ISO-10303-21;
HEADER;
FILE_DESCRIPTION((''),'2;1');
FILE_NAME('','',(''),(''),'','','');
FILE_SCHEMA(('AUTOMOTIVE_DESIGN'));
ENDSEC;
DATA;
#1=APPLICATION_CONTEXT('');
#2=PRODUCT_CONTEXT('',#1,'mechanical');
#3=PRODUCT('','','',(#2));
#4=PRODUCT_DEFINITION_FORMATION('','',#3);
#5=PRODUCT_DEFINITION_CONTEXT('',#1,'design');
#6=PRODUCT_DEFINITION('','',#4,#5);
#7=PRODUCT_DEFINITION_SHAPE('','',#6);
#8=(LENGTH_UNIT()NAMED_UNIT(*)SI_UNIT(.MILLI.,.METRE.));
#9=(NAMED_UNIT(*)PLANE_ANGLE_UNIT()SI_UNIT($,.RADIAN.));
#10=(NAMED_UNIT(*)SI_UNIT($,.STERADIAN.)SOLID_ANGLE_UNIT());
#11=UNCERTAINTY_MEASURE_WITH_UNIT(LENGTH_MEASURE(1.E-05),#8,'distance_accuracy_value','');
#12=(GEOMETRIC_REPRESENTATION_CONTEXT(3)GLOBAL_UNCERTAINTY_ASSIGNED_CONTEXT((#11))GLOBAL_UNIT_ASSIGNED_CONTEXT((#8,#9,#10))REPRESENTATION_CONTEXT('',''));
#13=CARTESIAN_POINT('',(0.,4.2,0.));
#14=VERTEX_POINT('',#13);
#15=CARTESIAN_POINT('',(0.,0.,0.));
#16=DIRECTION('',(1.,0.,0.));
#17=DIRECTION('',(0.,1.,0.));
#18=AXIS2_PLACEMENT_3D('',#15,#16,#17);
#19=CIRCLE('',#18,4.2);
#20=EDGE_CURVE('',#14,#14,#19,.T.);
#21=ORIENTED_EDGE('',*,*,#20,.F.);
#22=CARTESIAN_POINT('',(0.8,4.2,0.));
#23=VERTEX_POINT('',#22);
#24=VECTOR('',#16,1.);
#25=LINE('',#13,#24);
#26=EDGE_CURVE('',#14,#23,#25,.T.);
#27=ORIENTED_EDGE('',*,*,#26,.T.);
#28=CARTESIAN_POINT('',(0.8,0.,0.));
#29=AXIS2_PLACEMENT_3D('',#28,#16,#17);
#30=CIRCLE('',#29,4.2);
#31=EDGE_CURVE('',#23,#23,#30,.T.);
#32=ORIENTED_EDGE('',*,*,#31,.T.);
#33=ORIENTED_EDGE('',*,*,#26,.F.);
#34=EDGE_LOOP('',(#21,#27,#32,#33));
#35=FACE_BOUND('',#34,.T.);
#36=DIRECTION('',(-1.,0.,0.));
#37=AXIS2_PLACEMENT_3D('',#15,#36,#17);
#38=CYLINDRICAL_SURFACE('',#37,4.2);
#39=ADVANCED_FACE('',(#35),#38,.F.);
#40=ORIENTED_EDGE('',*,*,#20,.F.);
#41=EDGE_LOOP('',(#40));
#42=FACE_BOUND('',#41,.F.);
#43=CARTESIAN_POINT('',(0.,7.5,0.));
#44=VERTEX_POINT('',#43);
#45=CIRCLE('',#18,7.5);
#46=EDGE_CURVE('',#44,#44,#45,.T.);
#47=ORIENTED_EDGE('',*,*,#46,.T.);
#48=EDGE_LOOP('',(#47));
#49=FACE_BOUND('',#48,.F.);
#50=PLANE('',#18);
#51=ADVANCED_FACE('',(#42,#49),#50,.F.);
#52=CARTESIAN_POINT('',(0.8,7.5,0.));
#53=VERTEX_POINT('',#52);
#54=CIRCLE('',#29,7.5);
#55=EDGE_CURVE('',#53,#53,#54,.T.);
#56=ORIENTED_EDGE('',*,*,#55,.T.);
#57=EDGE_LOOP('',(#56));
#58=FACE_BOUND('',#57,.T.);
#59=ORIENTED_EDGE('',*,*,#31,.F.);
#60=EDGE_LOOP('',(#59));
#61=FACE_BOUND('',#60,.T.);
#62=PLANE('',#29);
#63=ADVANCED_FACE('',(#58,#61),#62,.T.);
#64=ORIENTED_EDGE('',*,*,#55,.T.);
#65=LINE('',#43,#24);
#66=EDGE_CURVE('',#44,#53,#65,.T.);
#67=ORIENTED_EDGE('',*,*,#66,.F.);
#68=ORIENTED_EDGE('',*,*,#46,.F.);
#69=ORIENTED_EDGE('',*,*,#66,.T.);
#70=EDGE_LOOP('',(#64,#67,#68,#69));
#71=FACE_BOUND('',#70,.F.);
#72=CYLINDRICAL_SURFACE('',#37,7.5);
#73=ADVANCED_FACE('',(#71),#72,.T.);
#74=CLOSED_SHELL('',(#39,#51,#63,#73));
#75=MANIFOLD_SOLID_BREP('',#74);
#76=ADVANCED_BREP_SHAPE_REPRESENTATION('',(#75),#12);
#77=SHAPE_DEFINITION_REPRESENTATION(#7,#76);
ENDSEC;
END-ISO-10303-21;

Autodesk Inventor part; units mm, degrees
ref_plane "YZ Plane" through (0, 0, 0) normal (1, 0, 0) x (0, 1, 0)
ref_plane "XZ Plane" through (0, 0, 0) normal (0, 1, 0) x (-1, 0, 0)
sketch "Skizze" plane through (0, 0, 0) normal (1, 0, 0) x (0, 1, 0)
  circle A0 centre (0, 0) radius 7.5
  circle A1 centre (0, 0) radius 4.2
  dimension "d0" = 8.4
  dimension "d1" = 15
extrude "Körper" add sketch "Skizze" along normal blind 0.8
ref_plane "Work Plane1" through (0, 0, 0) normal (0, 0, 1) x (1, 0, 0)
equation "\"d0\" = SD1"
equation "\"d1\" = SD2"
equation "\"d2\" = SD"
equation "\"SD1\" = 8.4"
equation "\"SD2\" = 15"
equation "\"SD\" = 0.8"
equation "\"SDH\" = 3"
equation "\"NND\" = 8"
properties part number "DIN 137 - B8" material "Stahl, weich"
